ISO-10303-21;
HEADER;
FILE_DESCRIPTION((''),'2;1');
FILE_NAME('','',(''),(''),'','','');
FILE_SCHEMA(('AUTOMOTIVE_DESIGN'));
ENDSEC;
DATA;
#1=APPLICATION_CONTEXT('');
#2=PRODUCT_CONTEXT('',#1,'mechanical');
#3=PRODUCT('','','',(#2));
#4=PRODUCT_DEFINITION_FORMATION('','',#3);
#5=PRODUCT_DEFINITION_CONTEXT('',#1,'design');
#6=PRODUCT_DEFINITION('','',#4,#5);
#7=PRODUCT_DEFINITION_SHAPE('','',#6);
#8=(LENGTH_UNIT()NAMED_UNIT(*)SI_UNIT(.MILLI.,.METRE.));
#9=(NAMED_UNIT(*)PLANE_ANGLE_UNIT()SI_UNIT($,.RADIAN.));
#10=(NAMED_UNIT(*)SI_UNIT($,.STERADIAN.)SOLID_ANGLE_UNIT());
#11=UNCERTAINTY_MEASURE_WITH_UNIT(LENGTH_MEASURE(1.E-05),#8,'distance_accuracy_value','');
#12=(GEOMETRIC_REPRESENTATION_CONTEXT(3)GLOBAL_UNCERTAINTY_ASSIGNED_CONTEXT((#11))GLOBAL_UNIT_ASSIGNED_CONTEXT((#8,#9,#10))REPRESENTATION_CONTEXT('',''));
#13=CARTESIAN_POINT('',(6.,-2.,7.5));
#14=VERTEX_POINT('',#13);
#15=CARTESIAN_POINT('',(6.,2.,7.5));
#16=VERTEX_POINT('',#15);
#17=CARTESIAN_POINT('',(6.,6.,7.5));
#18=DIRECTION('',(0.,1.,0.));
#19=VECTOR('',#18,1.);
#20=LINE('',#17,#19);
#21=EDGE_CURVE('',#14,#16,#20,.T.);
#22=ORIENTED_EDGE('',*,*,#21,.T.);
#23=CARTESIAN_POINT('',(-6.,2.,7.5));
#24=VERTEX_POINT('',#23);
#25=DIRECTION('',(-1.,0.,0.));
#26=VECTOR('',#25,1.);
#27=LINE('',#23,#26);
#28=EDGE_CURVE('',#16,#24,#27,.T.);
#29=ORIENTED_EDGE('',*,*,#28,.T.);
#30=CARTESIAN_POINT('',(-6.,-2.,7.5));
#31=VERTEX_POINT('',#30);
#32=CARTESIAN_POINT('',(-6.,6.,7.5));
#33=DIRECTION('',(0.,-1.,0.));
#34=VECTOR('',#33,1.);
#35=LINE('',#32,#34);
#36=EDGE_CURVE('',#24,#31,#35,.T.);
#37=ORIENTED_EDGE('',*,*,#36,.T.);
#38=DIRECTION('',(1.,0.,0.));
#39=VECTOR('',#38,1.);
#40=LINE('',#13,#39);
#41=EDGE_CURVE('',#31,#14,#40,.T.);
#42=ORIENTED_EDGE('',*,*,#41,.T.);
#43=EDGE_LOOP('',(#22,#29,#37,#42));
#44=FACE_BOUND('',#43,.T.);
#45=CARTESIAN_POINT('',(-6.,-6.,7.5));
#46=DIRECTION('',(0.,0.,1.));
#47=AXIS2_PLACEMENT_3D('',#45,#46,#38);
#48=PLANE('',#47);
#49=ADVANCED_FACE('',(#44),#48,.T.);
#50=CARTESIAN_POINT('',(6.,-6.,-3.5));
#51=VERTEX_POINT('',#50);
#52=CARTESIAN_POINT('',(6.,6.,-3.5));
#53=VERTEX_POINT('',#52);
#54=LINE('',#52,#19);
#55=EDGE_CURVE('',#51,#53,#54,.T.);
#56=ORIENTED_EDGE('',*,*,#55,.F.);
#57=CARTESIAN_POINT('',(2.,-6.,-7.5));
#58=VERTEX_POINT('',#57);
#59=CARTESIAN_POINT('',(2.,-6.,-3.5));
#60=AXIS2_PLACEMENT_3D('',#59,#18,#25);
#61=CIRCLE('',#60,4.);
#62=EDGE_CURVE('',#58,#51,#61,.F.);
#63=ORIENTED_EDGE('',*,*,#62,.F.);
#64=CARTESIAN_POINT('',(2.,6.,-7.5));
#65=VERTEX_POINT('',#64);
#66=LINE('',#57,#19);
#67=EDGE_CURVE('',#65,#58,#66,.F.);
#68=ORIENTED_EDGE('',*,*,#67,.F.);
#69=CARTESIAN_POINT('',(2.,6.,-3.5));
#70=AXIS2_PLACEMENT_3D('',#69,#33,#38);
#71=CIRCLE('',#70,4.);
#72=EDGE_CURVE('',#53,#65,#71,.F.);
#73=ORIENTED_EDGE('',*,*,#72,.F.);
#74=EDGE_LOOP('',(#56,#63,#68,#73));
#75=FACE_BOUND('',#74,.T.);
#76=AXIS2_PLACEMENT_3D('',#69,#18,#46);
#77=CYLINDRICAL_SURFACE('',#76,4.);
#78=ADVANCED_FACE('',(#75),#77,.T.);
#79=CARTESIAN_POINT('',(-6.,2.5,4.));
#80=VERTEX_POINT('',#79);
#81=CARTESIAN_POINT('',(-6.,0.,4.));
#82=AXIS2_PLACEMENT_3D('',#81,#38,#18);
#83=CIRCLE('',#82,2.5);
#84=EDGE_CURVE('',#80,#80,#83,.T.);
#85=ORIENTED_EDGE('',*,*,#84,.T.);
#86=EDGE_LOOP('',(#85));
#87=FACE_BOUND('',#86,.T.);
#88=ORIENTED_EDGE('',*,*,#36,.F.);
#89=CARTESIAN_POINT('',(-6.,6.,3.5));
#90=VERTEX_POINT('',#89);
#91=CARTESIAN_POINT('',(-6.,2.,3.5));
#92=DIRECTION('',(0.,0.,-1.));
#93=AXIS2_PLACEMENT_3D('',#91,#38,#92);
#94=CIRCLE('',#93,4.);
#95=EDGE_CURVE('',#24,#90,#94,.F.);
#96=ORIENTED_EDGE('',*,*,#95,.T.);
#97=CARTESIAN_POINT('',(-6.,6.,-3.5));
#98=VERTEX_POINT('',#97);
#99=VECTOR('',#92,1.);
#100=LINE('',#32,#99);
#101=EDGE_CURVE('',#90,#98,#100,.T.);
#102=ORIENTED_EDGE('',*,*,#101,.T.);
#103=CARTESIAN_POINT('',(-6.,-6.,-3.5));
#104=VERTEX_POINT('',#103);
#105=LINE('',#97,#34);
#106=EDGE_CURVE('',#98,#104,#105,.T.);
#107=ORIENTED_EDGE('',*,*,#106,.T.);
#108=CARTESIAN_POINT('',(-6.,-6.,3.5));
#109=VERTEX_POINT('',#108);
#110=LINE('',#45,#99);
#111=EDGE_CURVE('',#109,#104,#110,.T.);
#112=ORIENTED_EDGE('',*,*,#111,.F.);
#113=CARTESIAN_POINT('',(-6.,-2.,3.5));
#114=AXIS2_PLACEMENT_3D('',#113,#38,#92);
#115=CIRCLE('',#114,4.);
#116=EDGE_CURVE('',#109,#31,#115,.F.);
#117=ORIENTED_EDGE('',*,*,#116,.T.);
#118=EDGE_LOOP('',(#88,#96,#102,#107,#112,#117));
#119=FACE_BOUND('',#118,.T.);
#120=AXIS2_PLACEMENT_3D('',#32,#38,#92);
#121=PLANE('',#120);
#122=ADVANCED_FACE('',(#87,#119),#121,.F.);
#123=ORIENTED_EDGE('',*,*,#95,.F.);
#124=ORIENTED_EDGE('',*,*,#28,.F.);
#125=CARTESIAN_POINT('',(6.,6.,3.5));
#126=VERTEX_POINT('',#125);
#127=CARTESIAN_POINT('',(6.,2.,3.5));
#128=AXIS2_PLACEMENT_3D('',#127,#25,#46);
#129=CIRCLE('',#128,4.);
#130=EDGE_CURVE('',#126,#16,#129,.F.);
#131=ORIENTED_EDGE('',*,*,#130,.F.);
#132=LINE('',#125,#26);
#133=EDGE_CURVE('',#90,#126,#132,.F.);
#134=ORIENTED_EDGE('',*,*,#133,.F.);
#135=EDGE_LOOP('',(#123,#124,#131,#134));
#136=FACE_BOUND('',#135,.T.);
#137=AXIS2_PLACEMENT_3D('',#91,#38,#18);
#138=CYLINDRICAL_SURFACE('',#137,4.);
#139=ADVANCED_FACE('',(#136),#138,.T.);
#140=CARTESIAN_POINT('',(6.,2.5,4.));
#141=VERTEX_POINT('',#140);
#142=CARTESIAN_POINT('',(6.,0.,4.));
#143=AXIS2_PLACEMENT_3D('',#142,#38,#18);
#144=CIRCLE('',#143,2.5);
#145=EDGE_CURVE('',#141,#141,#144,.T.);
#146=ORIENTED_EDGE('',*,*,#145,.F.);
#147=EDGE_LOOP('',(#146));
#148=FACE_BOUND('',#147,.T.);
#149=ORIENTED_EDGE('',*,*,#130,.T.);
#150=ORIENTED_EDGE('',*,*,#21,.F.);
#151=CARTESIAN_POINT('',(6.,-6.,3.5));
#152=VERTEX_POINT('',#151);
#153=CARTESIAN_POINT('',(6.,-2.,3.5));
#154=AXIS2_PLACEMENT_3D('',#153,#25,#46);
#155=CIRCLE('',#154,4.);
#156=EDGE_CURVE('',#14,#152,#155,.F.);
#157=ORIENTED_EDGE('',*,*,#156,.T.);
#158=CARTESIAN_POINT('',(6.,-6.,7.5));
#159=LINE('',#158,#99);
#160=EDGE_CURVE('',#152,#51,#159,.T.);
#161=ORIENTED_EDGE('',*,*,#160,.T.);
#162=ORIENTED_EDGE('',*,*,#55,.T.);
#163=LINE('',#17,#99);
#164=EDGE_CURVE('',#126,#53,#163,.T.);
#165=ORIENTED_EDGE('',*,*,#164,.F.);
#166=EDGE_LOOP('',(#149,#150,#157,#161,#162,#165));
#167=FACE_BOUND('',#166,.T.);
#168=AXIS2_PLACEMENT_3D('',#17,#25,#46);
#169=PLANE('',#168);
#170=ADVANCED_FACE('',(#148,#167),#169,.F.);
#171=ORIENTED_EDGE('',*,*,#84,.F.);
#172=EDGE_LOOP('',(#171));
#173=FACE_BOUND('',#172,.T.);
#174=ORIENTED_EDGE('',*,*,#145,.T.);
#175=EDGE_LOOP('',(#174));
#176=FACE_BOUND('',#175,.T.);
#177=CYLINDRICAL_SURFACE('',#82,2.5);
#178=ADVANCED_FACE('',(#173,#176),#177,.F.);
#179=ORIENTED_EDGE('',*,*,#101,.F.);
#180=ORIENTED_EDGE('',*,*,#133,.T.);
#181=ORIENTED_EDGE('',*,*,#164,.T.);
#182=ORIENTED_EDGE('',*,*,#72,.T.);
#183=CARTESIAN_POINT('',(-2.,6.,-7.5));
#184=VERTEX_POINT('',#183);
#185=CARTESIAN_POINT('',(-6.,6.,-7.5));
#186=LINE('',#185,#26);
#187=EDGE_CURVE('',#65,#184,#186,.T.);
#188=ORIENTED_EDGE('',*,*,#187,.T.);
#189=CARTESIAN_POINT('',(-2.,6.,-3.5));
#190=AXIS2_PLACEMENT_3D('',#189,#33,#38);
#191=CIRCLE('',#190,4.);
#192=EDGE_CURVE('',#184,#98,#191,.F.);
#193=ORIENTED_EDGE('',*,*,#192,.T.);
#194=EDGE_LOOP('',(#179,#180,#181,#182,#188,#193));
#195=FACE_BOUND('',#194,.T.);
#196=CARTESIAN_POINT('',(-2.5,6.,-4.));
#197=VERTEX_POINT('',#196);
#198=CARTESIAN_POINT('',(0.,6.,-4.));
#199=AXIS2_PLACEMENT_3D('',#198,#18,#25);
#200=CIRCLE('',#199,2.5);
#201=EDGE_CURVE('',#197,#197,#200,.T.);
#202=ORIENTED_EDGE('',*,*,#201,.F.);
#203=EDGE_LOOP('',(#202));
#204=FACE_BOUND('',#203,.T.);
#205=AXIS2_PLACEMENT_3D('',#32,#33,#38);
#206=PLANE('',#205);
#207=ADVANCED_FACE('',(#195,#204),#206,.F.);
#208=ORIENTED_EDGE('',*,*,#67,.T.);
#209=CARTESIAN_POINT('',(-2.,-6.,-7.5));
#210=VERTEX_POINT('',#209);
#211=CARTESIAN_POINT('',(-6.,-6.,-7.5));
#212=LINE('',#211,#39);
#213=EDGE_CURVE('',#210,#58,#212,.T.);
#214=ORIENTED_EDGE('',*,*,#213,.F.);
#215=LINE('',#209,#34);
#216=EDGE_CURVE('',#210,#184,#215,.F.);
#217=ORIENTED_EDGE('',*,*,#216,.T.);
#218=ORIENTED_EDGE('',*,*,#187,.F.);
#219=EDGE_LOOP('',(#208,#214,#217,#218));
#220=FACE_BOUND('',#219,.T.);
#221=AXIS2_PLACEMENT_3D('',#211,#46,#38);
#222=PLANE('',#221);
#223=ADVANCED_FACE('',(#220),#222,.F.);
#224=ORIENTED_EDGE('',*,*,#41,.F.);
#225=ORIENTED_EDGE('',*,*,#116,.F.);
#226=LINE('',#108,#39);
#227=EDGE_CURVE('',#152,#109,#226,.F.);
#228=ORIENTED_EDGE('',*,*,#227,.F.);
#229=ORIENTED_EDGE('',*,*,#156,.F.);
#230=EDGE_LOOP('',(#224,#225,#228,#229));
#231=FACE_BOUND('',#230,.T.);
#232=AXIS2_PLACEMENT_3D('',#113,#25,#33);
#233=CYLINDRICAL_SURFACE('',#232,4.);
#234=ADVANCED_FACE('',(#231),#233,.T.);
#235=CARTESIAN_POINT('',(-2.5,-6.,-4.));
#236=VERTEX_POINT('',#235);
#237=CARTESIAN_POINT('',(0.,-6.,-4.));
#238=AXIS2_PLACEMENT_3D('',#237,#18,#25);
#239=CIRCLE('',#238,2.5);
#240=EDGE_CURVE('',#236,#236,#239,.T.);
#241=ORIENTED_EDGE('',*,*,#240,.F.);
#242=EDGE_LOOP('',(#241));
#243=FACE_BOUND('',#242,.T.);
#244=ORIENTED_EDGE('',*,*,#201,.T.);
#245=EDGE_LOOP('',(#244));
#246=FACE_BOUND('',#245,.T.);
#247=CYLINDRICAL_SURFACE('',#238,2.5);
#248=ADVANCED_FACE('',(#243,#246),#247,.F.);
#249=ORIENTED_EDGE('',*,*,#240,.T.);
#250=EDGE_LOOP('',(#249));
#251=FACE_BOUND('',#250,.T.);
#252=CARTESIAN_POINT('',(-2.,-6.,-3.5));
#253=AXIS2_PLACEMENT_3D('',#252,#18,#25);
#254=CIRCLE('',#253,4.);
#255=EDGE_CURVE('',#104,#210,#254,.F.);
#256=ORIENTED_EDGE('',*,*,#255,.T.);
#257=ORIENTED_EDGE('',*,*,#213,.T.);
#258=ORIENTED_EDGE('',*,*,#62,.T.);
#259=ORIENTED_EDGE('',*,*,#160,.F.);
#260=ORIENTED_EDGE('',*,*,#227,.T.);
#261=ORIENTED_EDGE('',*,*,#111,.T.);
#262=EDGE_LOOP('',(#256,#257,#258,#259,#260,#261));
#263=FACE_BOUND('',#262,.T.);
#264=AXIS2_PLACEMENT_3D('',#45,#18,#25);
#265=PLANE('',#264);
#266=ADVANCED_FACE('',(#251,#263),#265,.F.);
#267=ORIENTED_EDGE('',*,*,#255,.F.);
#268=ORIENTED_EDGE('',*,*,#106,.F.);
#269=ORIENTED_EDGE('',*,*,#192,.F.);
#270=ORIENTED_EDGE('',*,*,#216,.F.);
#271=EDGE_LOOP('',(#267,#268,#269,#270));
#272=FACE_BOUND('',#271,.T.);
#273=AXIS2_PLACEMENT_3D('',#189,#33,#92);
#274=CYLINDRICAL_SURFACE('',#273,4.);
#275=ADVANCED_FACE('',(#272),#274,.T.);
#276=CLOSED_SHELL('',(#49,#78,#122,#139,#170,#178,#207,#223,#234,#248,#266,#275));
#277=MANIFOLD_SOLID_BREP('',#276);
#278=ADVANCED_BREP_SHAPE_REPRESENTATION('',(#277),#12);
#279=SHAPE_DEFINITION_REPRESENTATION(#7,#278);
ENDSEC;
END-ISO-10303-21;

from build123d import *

# Parameters (mm, degrees)
SKETCH1_W          = 12
SKETCH1_H          = 12
EXTRUDE1_DEPTH     = 7.5
SKETCH2_R          = 2.5
CUT_EXTRUDE1_DEPTH = 13
SKETCH3_R          = 2.5
CUT_EXTRUDE2_DEPTH = 13
FILLET1_R          = 4


with BuildPart() as part:
    # Sketch1 → Extrude1 (new body, symmetric)
    with BuildSketch(Plane.XY):
        Rectangle(SKETCH1_W, SKETCH1_H)
    extrude(amount=EXTRUDE1_DEPTH, both=True)

    # Sketch2 → Cut-Extrude1 (cut, through all)
    with BuildSketch(Plane(origin=(0, 6, 0), x_dir=(1, 0, 0), z_dir=(0, 1, 0))):
        with Locations((0, 4)):
            Circle(SKETCH2_R)
    extrude(amount=-CUT_EXTRUDE1_DEPTH, mode=Mode.SUBTRACT)

    # Sketch3 → Cut-Extrude2 (cut, through all)
    with BuildSketch(Plane(origin=(6, 0, 0), x_dir=(0, 0, -1), z_dir=(1, 0, 0))):
        with Locations((-4, 0)):
            Circle(SKETCH3_R)
    extrude(amount=-CUT_EXTRUDE2_DEPTH, mode=Mode.SUBTRACT)

    # Fillet1
    fillet1_edges = [part.edges().sort_by_distance(p)[0] for p in [
        (0, 6, 7.5),
        (6, 0, -7.5),
        (-6, 0, -7.5),
        (0, -6, 7.5),
    ]]
    fillet(fillet1_edges, radius=FILLET1_R)


solid = part.part
